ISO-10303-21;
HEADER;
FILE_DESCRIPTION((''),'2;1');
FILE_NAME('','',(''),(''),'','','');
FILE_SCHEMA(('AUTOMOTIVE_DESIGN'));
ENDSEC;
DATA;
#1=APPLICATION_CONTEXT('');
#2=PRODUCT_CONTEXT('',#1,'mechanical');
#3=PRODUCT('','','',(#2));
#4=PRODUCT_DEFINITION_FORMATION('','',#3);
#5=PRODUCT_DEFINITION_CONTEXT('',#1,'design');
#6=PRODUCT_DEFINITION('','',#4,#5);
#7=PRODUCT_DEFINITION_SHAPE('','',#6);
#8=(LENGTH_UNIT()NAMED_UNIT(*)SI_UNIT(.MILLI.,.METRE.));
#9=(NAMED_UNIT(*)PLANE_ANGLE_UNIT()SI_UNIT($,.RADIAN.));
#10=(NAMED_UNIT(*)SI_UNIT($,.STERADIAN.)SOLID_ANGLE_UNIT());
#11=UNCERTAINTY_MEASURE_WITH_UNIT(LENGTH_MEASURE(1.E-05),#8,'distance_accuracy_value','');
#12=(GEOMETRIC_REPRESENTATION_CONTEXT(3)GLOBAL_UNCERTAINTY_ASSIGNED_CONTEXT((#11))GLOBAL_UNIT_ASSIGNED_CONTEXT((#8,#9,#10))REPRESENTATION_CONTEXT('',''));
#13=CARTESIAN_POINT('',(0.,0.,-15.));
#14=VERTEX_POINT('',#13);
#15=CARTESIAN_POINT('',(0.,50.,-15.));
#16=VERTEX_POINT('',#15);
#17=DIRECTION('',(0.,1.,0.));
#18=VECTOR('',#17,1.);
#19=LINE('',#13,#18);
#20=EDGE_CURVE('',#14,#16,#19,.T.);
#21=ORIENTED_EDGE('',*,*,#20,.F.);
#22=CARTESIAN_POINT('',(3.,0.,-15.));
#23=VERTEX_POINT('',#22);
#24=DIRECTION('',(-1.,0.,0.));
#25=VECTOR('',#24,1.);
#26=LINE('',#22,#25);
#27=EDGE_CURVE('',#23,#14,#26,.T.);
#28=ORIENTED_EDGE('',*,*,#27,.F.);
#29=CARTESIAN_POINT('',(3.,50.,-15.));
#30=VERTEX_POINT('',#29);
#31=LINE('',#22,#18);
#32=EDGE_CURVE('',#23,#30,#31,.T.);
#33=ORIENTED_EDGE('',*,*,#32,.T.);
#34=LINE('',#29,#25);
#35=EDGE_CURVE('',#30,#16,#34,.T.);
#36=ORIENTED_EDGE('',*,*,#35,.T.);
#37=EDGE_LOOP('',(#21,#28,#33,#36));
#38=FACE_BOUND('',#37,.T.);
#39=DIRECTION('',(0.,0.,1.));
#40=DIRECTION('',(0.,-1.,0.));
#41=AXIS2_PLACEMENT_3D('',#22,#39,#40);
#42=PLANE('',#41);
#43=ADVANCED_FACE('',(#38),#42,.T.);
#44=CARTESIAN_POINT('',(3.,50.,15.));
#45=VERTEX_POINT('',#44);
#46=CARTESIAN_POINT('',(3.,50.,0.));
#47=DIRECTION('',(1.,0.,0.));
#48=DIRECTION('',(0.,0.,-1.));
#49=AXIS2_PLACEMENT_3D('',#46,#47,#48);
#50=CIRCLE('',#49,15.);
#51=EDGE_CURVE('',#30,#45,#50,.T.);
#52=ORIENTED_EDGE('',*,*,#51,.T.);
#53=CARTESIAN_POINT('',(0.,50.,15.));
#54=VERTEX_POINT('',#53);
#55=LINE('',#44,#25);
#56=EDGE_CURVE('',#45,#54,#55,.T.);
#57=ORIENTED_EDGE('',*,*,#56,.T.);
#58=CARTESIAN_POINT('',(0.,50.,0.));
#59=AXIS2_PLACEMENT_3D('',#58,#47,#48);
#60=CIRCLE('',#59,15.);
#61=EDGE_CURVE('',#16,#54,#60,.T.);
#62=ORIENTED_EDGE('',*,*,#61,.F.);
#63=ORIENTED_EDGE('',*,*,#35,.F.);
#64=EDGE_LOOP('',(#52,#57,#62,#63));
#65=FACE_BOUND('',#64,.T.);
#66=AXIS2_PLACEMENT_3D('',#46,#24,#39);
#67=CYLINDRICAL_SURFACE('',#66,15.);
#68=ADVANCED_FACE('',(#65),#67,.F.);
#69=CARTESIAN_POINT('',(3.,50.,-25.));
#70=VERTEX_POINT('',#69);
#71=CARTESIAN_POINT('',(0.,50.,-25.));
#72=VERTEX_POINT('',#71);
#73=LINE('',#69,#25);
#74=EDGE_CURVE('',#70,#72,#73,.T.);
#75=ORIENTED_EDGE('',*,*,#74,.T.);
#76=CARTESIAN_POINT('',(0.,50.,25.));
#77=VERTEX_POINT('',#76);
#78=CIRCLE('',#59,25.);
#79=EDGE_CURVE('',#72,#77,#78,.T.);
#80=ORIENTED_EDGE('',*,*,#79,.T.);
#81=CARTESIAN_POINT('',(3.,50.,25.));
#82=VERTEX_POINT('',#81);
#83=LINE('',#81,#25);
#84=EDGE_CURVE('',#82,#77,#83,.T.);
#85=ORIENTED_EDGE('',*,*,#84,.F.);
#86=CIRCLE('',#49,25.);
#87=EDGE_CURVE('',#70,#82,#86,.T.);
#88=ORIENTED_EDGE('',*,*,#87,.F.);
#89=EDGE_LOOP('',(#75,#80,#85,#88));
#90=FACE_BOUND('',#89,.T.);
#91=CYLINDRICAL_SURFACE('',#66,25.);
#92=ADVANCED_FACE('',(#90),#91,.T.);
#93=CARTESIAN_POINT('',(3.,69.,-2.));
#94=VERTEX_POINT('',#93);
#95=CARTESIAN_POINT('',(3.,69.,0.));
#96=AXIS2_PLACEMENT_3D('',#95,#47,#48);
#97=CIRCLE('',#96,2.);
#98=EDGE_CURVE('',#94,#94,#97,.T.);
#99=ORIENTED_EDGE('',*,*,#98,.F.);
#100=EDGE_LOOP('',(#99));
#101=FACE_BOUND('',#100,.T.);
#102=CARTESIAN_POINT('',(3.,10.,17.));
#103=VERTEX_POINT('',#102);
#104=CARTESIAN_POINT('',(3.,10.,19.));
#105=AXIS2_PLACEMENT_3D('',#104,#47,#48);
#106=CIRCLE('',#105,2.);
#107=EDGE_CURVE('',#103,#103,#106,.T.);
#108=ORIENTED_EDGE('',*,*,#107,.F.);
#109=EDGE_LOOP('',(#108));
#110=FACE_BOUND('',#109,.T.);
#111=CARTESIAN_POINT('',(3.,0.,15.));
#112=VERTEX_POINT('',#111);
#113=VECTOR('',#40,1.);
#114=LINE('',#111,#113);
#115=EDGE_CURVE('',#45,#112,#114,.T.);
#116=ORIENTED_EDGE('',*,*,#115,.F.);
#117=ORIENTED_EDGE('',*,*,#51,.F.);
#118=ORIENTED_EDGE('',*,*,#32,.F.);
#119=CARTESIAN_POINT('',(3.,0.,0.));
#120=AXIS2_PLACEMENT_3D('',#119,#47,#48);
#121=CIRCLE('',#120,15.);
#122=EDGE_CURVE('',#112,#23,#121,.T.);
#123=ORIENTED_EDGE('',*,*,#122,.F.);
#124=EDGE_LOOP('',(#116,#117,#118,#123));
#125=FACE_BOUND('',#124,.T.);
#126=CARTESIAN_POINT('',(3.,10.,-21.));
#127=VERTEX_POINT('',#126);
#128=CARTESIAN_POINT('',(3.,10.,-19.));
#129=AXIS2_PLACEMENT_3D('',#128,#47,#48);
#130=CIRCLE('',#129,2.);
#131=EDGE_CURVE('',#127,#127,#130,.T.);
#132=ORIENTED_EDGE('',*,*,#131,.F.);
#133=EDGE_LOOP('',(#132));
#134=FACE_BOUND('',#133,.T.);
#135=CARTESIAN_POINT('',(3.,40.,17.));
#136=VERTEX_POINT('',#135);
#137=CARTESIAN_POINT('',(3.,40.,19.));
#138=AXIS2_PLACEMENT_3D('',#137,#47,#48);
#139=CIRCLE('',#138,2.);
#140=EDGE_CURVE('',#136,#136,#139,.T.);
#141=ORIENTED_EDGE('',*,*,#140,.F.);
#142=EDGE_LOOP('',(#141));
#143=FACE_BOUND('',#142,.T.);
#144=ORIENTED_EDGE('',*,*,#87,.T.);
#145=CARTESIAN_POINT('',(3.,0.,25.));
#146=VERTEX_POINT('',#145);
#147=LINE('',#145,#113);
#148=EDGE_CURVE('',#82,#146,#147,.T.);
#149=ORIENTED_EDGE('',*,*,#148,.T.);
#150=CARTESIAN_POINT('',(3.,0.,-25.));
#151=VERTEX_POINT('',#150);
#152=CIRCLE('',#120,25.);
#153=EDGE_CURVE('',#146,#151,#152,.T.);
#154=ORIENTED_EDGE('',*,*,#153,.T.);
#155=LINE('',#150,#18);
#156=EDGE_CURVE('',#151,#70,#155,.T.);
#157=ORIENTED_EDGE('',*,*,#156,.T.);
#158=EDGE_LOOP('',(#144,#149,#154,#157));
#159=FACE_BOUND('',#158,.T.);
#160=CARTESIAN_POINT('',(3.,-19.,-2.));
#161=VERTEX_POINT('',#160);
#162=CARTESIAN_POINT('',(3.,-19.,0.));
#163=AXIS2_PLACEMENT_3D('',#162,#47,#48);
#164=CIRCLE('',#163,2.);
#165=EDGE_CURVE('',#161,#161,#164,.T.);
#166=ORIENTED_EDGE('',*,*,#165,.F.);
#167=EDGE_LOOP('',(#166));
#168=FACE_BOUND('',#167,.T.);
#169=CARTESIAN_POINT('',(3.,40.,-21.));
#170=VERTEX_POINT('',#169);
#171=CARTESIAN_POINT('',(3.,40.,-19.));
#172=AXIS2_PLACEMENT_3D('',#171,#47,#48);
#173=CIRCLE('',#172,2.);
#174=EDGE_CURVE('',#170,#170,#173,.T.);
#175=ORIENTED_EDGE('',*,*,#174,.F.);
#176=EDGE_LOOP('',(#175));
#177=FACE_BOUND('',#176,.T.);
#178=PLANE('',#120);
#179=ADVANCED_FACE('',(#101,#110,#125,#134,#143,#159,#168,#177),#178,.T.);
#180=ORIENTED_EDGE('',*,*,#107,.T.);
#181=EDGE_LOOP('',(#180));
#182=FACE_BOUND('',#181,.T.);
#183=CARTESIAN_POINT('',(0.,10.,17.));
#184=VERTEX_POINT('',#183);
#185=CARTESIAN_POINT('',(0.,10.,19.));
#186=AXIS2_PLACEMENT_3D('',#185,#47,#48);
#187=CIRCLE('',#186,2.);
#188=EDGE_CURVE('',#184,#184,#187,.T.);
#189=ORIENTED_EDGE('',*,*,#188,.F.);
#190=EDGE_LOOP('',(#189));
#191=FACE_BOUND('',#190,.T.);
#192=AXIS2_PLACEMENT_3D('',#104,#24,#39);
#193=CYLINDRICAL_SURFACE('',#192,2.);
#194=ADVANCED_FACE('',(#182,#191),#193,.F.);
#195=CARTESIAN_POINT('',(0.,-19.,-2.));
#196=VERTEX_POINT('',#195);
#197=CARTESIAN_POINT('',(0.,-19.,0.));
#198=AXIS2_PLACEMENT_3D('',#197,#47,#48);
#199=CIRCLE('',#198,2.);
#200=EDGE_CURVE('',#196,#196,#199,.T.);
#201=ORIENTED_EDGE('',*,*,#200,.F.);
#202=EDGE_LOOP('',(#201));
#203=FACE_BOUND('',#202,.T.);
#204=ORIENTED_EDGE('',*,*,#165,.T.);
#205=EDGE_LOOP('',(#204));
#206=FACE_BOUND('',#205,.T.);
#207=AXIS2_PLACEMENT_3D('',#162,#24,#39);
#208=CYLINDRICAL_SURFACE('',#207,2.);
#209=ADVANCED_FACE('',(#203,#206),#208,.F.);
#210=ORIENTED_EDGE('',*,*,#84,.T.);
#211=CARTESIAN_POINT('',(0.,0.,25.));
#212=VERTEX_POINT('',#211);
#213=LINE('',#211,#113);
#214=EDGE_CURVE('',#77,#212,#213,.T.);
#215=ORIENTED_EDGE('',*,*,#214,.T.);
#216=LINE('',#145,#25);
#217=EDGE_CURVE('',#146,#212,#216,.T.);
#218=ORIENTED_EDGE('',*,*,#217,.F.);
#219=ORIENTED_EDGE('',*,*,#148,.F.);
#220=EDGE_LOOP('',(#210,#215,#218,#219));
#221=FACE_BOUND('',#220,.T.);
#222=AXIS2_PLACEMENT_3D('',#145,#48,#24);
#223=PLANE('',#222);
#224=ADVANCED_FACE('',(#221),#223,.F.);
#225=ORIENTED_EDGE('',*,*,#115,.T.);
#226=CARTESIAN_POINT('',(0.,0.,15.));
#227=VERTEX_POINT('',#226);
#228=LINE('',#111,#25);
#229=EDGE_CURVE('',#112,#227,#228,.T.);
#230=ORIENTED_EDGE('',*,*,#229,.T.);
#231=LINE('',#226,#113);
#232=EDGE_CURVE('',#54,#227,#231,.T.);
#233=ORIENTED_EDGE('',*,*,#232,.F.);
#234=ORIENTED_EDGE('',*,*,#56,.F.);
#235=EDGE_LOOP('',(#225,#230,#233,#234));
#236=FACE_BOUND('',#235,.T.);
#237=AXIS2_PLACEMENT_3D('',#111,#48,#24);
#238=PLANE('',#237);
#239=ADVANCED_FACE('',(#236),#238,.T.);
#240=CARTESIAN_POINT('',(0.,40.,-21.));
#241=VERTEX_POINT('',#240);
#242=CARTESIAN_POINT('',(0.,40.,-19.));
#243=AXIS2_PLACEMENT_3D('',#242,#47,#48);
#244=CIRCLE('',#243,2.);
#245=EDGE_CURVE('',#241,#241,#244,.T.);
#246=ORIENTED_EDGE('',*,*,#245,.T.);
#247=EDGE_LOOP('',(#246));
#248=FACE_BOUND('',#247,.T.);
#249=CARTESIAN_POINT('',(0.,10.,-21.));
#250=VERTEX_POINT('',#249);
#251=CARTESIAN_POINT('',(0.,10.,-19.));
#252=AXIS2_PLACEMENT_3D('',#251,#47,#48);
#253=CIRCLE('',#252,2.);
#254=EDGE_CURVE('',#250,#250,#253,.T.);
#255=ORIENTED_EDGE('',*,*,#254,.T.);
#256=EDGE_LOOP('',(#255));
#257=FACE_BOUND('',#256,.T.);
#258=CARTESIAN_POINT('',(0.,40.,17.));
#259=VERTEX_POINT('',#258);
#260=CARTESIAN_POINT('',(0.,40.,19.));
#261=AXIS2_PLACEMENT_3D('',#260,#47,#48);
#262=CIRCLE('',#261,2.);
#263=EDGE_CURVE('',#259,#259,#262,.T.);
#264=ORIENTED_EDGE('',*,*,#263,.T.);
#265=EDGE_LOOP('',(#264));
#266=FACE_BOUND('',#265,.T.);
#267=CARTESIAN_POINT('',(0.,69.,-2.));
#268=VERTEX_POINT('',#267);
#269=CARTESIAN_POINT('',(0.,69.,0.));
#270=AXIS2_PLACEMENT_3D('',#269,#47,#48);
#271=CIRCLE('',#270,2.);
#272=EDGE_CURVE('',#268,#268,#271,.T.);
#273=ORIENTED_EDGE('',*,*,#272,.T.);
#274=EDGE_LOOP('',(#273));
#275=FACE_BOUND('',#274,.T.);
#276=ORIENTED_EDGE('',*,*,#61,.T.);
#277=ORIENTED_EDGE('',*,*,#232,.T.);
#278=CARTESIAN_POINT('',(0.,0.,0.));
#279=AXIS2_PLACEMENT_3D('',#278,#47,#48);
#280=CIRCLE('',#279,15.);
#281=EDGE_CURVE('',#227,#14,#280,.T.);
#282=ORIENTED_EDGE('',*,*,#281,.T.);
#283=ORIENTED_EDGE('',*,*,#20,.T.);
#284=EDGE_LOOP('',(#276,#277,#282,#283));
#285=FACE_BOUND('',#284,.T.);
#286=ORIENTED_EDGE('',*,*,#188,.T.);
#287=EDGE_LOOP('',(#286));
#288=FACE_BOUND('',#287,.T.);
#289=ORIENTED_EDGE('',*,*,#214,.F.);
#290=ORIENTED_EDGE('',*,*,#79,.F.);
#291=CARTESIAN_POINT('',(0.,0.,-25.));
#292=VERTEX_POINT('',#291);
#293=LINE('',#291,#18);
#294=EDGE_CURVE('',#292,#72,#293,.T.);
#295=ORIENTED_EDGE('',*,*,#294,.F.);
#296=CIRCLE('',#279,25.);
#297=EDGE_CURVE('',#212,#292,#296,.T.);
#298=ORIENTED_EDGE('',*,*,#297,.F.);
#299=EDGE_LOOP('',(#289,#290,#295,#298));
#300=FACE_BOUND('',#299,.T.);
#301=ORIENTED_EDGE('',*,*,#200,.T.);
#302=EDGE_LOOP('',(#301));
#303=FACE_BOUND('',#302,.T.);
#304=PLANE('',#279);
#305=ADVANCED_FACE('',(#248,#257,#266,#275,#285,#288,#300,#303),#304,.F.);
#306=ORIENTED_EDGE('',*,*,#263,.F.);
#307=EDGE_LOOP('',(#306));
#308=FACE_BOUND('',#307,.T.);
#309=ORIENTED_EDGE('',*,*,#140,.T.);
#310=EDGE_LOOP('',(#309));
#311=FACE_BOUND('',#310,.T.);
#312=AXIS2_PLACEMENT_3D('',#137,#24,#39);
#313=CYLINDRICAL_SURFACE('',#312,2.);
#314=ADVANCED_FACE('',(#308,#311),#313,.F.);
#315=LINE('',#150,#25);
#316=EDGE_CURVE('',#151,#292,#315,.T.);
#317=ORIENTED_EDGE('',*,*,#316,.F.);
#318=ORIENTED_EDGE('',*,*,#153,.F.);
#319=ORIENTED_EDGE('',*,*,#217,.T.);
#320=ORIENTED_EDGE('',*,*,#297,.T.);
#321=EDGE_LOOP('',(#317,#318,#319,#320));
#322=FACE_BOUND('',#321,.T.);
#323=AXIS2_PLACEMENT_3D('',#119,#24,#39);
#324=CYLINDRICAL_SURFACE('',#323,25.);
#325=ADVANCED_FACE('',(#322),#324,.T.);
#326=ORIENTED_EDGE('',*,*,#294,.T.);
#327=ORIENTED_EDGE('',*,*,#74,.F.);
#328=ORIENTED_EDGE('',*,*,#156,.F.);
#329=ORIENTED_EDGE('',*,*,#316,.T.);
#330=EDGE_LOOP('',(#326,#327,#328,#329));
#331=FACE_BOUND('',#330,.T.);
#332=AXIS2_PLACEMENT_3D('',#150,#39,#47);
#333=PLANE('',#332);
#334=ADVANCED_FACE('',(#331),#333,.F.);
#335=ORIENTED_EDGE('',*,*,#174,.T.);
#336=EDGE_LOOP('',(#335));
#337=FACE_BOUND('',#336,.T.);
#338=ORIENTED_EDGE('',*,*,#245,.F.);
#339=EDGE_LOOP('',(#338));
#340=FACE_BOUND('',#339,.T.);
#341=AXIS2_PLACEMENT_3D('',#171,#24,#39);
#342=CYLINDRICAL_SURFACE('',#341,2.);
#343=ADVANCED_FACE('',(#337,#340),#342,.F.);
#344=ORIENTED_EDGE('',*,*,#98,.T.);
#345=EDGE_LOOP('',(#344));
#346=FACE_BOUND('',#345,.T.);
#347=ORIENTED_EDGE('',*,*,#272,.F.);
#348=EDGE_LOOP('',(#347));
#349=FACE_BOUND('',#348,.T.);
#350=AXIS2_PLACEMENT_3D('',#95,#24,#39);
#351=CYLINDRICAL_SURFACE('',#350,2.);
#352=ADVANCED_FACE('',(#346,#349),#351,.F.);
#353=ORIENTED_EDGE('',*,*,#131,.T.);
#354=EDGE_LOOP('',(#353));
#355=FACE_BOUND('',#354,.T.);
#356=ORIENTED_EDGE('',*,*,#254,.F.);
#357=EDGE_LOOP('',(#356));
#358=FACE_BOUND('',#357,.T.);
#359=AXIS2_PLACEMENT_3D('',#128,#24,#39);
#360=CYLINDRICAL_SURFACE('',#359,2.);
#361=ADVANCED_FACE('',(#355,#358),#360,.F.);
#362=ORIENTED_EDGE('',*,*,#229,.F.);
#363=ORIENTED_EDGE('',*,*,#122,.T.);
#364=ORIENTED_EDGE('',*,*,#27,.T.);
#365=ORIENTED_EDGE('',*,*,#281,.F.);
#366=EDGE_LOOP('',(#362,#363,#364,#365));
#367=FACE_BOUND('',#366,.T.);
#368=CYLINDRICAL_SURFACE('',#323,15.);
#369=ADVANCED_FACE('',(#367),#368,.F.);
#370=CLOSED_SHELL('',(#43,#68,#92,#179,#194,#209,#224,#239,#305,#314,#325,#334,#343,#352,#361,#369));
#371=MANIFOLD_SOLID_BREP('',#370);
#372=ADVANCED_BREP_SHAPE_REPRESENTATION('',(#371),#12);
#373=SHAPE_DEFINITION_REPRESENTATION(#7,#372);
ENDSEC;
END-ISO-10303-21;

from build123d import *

# Parameters (mm, degrees)
SKETCH1_R           = 2
BOSS_EXTRUDE1_DEPTH = 3


with BuildPart() as part:
    # Sketch1 → Boss-Extrude1 (new body)
    with BuildSketch(Plane.YZ):
        with BuildLine():
            Line((0, 25), (50, 25))
            ThreePointArc((50, 25), (75, 0), (50, -25))
            Line((50, -25), (0, -25))
            ThreePointArc((0, -25), (-25, 0), (0, 25))
        make_face()
        with Locations(Location((10, 19, 0), (0, 0, 270))):
            Circle(SKETCH1_R, mode=Mode.SUBTRACT)
        with Locations(Location((40, 19, 0), (0, 0, 270))):
            Circle(SKETCH1_R, mode=Mode.SUBTRACT)
        with Locations(Location((69, 0, 0), (0, 0, 270))):
            Circle(SKETCH1_R, mode=Mode.SUBTRACT)
        with Locations(Location((-19, 0, 0), (0, 0, 270))):
            Circle(SKETCH1_R, mode=Mode.SUBTRACT)
        with Locations(Location((10, -19, 0), (0, 0, 270))):
            Circle(SKETCH1_R, mode=Mode.SUBTRACT)
        with Locations(Location((40, -19, 0), (0, 0, 270))):
            Circle(SKETCH1_R, mode=Mode.SUBTRACT)
        with BuildLine():
            Line((0, 15), (50, 15))
            ThreePointArc((50, 15), (65, 0), (50, -15))
            Line((50, -15), (0, -15))
            ThreePointArc((0, -15), (-15, 0), (0, 15))
        make_face(mode=Mode.SUBTRACT)
    extrude(amount=BOSS_EXTRUDE1_DEPTH)


solid = part.part
